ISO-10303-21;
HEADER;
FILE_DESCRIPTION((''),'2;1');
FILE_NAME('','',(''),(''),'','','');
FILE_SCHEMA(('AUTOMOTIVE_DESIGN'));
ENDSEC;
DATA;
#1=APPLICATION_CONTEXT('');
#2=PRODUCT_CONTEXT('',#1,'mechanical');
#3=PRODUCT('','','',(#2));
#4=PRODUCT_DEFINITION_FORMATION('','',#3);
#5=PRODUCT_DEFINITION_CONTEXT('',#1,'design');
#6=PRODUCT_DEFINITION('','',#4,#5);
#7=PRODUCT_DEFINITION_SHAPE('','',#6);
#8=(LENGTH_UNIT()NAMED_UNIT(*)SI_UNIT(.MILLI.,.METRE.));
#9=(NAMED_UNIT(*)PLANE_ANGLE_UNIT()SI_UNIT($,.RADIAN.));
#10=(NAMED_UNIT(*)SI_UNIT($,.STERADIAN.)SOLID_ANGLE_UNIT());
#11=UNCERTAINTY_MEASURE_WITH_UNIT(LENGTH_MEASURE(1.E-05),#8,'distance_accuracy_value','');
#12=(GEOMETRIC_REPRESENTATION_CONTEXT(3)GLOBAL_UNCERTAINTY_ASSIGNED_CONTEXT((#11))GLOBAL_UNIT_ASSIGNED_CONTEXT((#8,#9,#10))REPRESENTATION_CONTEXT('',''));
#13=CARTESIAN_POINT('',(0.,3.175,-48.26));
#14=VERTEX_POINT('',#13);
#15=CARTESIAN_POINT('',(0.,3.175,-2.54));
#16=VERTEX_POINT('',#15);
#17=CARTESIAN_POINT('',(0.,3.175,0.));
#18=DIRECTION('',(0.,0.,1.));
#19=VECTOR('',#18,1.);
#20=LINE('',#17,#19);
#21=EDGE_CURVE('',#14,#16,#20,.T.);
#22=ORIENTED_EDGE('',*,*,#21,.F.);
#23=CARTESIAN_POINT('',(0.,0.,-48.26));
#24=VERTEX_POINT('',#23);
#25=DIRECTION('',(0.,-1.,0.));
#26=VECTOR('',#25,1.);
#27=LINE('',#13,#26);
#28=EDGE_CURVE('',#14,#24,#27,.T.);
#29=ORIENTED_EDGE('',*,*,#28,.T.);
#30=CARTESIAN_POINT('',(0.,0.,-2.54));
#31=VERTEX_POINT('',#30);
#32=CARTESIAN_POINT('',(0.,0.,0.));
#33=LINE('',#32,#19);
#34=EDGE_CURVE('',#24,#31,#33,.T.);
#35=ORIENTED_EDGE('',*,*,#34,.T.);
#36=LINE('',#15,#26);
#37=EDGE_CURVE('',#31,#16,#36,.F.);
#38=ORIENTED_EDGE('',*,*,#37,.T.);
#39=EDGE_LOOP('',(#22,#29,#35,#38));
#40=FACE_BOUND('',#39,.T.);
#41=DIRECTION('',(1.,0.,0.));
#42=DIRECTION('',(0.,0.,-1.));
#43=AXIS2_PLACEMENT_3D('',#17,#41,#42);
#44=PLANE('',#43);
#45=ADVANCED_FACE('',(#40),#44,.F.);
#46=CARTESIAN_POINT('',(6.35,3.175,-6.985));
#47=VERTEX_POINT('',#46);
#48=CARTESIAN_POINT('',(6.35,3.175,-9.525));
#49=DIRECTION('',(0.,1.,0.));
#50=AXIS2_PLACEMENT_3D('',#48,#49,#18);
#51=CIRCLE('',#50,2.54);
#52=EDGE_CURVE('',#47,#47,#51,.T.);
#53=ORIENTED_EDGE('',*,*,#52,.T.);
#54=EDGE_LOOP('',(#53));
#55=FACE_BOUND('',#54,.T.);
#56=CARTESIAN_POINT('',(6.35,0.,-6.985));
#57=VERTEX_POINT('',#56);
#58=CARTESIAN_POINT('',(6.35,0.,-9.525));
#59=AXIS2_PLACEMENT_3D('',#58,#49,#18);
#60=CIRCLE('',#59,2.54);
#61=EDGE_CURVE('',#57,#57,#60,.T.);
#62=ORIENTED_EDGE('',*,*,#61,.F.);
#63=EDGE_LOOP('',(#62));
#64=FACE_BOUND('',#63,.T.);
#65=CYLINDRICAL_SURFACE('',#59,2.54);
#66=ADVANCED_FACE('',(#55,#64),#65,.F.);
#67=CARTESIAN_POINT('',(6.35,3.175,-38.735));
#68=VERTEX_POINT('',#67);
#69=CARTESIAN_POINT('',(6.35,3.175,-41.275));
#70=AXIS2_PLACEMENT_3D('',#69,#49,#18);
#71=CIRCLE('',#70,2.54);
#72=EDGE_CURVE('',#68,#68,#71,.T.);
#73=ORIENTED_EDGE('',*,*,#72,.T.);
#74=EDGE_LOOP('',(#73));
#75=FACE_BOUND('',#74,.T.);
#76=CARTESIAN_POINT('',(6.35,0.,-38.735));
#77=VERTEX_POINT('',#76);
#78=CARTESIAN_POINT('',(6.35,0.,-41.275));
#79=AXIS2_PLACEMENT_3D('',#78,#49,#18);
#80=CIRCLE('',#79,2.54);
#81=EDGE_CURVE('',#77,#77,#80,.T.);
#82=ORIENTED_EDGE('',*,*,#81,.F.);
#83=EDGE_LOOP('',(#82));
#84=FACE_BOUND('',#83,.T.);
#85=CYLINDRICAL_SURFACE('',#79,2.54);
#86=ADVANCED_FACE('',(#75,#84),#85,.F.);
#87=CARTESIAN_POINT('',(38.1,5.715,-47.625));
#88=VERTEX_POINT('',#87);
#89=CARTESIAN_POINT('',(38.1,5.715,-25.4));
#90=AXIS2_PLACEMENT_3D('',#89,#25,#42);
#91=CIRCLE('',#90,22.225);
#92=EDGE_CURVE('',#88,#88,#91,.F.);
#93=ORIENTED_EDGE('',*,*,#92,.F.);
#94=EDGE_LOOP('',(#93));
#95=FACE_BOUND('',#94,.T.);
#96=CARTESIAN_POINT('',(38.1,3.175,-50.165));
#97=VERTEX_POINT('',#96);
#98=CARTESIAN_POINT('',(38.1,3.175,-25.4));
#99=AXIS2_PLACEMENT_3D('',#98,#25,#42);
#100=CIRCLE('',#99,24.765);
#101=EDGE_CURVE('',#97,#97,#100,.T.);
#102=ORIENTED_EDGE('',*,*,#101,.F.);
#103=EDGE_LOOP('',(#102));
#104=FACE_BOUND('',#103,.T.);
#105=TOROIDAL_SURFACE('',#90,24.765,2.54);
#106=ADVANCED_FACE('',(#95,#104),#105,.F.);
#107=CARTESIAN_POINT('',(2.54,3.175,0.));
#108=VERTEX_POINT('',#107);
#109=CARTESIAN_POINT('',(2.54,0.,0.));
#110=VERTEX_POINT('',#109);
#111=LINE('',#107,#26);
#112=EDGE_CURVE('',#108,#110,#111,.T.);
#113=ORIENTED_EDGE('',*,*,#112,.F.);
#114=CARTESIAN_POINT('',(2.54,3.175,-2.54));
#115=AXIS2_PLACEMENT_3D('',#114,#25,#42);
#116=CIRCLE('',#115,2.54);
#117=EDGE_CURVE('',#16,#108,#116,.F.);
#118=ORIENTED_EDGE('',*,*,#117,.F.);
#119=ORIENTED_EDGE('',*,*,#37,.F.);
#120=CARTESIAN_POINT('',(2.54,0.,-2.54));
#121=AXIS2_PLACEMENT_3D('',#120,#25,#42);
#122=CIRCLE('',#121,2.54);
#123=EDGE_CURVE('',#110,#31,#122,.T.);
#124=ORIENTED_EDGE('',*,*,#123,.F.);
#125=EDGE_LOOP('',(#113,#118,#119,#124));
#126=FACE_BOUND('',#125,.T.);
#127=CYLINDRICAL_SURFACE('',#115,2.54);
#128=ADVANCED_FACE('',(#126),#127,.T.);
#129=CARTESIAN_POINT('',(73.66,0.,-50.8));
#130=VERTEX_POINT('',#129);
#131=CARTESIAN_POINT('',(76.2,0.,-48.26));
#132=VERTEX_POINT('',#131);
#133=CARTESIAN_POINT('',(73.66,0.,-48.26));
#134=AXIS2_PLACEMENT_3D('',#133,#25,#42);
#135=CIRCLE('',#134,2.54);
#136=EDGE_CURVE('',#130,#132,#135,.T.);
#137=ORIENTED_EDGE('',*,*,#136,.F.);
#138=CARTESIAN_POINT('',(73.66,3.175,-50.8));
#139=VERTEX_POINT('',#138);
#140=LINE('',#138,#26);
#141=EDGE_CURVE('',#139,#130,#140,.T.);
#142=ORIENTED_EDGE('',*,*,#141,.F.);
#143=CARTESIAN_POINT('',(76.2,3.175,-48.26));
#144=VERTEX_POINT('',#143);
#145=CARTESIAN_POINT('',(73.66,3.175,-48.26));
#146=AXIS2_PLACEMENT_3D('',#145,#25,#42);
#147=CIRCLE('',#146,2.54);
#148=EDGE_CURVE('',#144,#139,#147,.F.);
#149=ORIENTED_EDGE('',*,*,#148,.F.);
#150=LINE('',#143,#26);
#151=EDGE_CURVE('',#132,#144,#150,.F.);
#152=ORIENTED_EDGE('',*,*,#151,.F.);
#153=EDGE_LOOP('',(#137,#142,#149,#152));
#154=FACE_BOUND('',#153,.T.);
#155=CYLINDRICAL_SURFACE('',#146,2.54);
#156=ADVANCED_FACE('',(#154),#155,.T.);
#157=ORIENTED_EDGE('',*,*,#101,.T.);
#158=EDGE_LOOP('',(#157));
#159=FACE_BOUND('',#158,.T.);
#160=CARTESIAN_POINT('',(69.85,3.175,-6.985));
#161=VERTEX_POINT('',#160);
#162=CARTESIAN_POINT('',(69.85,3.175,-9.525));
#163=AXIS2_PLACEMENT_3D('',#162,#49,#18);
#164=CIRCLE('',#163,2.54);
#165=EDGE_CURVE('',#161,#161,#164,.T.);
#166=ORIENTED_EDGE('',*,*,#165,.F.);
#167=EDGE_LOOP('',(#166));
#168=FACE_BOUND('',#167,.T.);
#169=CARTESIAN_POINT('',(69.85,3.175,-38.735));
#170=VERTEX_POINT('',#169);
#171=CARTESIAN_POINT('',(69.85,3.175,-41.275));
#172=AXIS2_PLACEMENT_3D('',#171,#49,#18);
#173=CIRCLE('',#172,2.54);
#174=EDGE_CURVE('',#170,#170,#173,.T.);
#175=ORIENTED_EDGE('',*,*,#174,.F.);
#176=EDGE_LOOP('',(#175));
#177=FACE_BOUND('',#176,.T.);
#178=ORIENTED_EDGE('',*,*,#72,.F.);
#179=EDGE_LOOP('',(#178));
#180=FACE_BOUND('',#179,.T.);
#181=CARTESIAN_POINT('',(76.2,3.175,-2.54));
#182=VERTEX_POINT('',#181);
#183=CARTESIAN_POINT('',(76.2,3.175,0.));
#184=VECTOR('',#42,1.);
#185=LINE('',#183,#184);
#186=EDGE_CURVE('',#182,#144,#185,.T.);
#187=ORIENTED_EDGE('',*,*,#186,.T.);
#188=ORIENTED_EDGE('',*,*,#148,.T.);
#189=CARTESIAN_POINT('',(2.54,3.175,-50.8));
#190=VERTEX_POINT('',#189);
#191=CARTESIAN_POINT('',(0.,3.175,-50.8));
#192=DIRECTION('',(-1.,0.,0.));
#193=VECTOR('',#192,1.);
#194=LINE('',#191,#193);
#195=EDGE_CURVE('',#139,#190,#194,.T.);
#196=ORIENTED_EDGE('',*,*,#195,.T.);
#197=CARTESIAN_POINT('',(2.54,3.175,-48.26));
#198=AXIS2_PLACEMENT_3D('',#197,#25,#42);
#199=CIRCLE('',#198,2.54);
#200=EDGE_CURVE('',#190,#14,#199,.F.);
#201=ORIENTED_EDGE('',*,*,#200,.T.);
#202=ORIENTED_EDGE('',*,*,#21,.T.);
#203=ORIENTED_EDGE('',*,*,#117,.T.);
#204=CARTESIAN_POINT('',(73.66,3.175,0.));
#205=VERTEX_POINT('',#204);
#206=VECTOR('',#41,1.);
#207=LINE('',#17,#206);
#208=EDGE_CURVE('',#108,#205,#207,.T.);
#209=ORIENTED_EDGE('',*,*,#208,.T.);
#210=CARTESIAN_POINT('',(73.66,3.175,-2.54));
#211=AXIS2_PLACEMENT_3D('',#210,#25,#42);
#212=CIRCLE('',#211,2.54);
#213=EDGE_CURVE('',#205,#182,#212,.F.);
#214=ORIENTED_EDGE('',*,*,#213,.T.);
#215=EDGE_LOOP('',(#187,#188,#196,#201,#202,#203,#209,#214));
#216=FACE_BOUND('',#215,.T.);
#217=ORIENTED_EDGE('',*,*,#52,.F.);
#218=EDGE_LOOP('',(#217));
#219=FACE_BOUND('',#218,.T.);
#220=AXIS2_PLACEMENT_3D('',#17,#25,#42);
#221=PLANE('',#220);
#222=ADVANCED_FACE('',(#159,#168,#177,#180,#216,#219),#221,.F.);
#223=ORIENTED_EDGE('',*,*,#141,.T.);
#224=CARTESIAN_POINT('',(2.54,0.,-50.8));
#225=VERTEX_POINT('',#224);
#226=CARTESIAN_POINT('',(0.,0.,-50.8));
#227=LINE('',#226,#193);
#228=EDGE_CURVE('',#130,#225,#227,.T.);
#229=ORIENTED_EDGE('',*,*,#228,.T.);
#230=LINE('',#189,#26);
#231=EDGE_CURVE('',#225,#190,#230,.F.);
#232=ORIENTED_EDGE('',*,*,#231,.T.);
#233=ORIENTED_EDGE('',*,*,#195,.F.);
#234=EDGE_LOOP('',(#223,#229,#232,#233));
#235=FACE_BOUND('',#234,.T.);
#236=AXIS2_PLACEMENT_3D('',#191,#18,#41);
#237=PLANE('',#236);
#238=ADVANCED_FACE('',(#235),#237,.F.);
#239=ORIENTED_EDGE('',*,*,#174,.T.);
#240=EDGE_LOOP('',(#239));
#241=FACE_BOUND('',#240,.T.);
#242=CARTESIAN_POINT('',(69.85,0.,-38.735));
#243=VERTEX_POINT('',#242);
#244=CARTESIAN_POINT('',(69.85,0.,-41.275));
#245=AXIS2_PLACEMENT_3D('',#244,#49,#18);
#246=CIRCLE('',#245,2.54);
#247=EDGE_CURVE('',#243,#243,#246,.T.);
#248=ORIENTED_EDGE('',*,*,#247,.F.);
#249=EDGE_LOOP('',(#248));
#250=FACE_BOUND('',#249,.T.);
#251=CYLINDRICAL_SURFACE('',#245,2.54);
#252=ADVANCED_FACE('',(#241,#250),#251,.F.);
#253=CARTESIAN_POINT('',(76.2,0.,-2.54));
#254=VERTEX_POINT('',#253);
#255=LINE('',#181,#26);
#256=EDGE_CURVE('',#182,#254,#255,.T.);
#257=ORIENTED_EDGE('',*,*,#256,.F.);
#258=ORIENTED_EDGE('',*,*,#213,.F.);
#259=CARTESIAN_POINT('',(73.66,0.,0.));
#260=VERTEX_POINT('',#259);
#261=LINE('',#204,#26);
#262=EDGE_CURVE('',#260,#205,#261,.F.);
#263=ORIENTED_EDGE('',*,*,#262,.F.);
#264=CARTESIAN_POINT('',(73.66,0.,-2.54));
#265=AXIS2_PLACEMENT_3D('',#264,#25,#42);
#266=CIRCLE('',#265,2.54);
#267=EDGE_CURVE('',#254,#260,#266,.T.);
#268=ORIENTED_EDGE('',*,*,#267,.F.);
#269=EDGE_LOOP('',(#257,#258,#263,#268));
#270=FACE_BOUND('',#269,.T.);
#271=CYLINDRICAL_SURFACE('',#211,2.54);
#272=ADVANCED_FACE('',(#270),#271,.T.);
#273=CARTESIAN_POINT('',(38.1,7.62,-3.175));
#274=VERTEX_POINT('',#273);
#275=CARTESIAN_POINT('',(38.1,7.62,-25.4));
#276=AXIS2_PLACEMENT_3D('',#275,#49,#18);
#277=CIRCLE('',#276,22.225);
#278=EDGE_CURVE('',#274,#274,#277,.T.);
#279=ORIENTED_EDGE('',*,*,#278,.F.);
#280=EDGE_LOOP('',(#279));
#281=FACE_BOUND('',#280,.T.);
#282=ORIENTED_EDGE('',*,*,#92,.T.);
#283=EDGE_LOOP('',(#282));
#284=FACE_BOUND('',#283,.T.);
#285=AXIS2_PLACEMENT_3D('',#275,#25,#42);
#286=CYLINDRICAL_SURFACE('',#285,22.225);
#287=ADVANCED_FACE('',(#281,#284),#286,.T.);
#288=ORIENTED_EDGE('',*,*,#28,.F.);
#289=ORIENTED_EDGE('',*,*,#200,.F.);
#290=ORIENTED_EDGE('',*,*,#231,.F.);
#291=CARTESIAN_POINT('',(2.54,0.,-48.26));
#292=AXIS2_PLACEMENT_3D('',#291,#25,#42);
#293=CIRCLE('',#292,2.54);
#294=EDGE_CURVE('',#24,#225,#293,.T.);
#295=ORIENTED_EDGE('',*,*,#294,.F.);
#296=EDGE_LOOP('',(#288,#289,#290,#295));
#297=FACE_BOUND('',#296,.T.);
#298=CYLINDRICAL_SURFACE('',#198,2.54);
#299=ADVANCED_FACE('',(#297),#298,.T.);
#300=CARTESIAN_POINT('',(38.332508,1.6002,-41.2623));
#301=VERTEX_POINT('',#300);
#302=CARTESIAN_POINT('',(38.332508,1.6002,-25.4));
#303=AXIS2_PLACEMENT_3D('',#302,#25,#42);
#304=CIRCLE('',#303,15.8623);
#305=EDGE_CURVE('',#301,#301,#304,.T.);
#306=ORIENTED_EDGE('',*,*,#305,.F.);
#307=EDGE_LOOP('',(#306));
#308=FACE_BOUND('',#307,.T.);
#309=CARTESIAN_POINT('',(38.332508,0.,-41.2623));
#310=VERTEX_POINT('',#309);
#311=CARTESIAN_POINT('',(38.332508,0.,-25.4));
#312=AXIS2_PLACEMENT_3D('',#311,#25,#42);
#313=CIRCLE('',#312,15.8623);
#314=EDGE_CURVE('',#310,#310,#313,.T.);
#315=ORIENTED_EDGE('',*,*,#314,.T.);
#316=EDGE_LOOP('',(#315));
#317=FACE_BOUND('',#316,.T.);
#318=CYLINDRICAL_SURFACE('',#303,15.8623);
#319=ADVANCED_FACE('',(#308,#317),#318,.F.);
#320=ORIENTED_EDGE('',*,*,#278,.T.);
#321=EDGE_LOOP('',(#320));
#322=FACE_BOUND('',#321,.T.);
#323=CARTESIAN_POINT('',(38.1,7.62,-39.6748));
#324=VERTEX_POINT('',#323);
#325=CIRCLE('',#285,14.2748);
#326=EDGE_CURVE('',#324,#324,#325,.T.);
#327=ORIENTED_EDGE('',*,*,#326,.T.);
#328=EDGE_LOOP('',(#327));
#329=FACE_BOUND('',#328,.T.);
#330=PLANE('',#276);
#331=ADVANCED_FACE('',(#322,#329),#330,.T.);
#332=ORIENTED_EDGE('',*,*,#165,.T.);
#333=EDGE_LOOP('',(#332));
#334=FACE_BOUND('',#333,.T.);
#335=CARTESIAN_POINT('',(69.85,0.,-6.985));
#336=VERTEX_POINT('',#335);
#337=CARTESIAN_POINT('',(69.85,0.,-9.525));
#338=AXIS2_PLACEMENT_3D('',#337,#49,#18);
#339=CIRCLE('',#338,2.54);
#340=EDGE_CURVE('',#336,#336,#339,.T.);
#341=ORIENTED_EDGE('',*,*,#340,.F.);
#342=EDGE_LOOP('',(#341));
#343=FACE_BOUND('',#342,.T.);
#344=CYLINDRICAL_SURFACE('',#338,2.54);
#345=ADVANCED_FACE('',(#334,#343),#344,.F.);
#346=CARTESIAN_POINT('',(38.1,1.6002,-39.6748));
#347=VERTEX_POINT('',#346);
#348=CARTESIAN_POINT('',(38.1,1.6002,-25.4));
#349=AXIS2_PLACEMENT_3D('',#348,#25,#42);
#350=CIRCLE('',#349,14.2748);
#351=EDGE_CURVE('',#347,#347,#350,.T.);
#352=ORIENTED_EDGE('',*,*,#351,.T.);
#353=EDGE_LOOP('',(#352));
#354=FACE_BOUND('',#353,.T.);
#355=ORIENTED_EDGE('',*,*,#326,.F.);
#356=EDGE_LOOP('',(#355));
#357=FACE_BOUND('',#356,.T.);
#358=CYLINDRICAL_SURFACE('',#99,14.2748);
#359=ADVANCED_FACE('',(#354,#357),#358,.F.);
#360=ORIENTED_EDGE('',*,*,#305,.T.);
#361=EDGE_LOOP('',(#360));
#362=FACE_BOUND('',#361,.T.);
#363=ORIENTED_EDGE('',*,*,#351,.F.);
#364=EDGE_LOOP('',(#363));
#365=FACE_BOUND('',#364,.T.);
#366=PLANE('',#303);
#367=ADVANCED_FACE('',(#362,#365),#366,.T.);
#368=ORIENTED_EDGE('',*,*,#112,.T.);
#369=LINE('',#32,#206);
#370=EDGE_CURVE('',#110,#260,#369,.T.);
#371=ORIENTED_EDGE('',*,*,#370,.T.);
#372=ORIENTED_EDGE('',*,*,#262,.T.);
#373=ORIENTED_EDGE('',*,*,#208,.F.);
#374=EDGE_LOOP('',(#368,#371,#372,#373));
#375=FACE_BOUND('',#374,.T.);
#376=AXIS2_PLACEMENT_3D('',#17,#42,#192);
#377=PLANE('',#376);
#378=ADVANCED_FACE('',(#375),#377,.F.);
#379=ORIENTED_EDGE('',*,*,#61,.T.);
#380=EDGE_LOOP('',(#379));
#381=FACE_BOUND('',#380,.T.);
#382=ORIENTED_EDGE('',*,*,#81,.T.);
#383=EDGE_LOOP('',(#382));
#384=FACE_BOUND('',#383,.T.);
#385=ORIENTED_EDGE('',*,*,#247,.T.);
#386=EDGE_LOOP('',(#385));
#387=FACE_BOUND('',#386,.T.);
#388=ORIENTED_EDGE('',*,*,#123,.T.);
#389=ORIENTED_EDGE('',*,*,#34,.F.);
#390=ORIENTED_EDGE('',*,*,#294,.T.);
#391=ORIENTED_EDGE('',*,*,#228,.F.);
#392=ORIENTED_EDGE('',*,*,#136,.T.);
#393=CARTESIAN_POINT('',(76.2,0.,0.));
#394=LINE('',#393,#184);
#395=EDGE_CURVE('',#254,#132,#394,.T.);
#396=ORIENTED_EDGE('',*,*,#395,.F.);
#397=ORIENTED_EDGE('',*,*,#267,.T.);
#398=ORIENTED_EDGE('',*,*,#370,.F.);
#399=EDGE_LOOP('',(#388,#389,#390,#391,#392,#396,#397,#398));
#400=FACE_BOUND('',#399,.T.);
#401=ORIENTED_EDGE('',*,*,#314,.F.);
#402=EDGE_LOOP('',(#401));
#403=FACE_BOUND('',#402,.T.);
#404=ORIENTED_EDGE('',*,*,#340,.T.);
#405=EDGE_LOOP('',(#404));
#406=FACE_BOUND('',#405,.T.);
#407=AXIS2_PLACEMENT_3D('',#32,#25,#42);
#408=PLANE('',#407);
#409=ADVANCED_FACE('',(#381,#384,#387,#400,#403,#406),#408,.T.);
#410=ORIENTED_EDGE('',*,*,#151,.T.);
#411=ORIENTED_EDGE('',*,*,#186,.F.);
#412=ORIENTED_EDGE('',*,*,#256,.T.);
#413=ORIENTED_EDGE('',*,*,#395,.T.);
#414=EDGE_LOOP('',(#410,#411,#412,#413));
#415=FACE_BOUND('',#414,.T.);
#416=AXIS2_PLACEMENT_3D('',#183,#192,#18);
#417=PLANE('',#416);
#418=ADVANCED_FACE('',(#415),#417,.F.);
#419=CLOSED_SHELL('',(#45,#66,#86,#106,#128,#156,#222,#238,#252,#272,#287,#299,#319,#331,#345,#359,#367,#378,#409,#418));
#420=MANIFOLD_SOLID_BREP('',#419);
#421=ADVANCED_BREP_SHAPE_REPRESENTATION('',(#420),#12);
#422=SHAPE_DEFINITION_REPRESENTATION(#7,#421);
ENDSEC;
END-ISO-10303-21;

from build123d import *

# Parameters (mm, degrees)
SKETCH1_W           = 76.2
SKETCH1_H           = 50.8
SKETCH1_R           = 14.2748
BOSS_EXTRUDE1_DEPTH = 3.175
SKETCH2_R           = 22.225
BOSS_EXTRUDE2_DEPTH = 4.445
SKETCH3_R           = 14.2748
CUT_EXTRUDE1_DEPTH  = 92.688810795
SKETCH4_R           = 15.8623
CUT_EXTRUDE2_DEPTH  = 1.6002
FILLET1_R           = 2.54
FILLET2_R           = 2.54
SKETCH5_R           = 2.54
CUT_EXTRUDE3_DEPTH  = 92.688810795


with BuildPart() as part:
    # Sketch1 → Boss-Extrude1 (new body)
    with BuildSketch(Plane(origin=(0, 0, 0), x_dir=(1, 0, 0), z_dir=(0, 1, 0))):
        with Locations((38.1, 25.4)):
            Rectangle(SKETCH1_W, SKETCH1_H)
        with Locations(Location((38.1, 25.4, 0), (0, 0, 270))):
            Circle(SKETCH1_R, mode=Mode.SUBTRACT)
    extrude(amount=BOSS_EXTRUDE1_DEPTH)

    # Sketch2 → Boss-Extrude2 (add)
    with BuildSketch(Plane(origin=(0, 3.175, 0), x_dir=(1, 0, 0), z_dir=(0, 1, 0))):
        with Locations(Location((38.1, 25.4, 0), (0, 0, 90))):
            Circle(SKETCH2_R)
    extrude(amount=BOSS_EXTRUDE2_DEPTH)

    # Sketch3 → Cut-Extrude1 (cut, through all)
    with BuildSketch(Plane.XZ.offset(-3.175)):
        with Locations(Location((38.1, -25.4, 0), (0, 0, 270))):
            Circle(SKETCH3_R)
    extrude(amount=-CUT_EXTRUDE1_DEPTH, mode=Mode.SUBTRACT)

    # Sketch4 → Cut-Extrude2 (cut)
    with BuildSketch(Plane(origin=(0, 0, 0), x_dir=(-1, 0, 0), z_dir=(0, -1, 0))):
        with Locations(Location((-38.332507849, 25.4, 0), (0, 0, 90))):
            Circle(SKETCH4_R)
    extrude(amount=-CUT_EXTRUDE2_DEPTH, mode=Mode.SUBTRACT)

    # Fillet1
    fillet1_edges = [part.edges().sort_by_distance(p)[0] for p in [
        (38.1, 3.175, -3.175),
    ]]
    fillet(fillet1_edges, radius=FILLET1_R)

    # Fillet2
    fillet2_edges = [part.edges().sort_by_distance(p)[0] for p in [
        (0, 1.5875, -50.8),
        (76.2, 1.5875, -50.8),
        (76.2, 1.5875, 0),
        (0, 1.5875, 0),
    ]]
    fillet(fillet2_edges, radius=FILLET2_R)

    # Sketch5 → Cut-Extrude3 (cut, through all)
    with BuildSketch(Plane(origin=(0, 3.175, 0), x_dir=(1, 0, 0), z_dir=(0, 1, 0))):
        with Locations(Location((69.85, 41.275, 0), (0, 0, 270))):
            Circle(SKETCH5_R)
        with Locations(Location((69.85, 9.525, 0), (0, 0, 270))):
            Circle(SKETCH5_R)
        with Locations(Location((6.35, 9.525, 0), (0, 0, 270))):
            Circle(SKETCH5_R)
        with Locations(Location((6.35, 41.275, 0), (0, 0, 270))):
            Circle(SKETCH5_R)
    extrude(amount=-CUT_EXTRUDE3_DEPTH, mode=Mode.SUBTRACT)


solid = part.part
